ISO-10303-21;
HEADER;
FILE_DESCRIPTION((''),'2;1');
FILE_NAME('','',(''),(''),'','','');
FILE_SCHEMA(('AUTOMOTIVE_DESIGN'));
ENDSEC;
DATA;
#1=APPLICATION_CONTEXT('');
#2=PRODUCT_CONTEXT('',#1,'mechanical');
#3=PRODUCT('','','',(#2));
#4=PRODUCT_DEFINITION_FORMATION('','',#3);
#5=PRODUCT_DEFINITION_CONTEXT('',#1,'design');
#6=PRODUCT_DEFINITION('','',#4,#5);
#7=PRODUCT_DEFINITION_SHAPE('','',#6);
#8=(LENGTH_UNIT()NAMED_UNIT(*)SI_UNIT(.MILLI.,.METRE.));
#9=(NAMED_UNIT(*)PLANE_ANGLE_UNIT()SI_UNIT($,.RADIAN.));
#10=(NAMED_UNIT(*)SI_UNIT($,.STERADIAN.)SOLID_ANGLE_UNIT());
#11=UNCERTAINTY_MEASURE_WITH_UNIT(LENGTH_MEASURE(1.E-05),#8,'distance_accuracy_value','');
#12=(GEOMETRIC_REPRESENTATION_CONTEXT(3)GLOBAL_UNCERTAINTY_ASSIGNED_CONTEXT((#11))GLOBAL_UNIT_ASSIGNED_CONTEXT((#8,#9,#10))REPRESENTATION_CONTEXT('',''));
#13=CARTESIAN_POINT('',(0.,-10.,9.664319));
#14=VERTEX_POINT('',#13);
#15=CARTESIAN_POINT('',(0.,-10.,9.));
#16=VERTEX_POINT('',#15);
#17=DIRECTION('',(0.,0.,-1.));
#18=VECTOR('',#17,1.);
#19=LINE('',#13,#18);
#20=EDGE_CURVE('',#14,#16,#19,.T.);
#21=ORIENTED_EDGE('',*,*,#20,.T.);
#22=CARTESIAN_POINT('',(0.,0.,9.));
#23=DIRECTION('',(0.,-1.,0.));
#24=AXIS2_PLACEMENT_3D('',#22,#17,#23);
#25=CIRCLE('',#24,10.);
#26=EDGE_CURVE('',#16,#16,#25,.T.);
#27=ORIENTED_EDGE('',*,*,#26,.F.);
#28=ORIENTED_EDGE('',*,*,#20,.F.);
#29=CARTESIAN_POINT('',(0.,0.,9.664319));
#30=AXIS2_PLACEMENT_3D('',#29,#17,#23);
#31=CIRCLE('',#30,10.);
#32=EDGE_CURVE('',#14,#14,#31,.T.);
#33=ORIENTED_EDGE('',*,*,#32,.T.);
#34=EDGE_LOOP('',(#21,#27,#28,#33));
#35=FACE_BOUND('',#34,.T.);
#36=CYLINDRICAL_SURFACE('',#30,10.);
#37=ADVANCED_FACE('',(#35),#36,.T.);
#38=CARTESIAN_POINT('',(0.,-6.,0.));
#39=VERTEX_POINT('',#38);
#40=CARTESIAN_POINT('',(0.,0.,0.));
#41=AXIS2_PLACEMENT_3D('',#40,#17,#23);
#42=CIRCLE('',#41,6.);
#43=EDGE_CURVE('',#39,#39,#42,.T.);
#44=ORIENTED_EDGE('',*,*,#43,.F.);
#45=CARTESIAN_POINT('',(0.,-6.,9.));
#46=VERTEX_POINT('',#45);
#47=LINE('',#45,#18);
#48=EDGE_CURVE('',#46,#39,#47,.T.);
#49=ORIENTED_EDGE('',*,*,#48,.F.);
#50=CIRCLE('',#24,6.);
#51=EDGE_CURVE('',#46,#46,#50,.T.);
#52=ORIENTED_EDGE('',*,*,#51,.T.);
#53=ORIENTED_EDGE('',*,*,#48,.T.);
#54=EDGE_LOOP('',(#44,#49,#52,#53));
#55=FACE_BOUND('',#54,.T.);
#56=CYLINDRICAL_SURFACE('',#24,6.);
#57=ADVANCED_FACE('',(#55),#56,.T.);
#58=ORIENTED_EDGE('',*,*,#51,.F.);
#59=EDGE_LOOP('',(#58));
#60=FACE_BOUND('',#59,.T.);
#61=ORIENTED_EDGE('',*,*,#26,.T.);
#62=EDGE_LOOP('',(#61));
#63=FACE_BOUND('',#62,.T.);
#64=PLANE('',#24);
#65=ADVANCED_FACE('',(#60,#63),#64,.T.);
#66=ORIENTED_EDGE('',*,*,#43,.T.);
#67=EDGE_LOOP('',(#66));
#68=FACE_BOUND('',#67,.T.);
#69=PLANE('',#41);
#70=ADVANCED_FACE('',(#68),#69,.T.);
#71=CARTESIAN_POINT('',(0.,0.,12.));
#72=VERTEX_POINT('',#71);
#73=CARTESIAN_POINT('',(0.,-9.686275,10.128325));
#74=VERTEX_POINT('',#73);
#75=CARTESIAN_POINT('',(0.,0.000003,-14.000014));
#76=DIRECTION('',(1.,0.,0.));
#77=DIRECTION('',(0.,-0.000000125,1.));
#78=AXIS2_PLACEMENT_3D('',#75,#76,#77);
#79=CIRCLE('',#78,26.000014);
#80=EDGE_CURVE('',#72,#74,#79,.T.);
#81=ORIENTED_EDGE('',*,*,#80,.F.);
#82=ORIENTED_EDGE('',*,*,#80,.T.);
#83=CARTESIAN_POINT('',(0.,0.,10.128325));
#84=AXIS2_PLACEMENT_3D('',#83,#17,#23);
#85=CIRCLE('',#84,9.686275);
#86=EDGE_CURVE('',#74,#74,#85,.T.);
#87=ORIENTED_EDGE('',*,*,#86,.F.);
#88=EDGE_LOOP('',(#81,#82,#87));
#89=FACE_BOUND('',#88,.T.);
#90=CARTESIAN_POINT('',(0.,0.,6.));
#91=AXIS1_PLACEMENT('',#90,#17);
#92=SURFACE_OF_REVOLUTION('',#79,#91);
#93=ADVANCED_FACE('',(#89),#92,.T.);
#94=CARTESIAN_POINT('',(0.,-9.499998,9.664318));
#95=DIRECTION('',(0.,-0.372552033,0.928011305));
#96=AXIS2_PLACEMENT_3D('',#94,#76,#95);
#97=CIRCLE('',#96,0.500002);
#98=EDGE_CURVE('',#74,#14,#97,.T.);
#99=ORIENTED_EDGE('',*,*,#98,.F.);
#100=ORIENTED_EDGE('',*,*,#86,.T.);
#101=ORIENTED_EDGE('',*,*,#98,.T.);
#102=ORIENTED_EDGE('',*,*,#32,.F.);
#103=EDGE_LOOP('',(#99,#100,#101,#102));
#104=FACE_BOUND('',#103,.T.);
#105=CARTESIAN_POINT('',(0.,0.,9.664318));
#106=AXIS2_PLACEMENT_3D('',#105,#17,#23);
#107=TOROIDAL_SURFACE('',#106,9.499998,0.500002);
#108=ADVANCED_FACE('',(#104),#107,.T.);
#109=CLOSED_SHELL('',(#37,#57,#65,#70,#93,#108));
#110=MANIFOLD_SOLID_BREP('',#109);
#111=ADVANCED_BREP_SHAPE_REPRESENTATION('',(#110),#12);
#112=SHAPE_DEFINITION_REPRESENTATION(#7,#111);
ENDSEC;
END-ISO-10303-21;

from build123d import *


with BuildPart() as f1:
    # F0 (on Right) → F1 (revolve)
    with BuildSketch(Plane.YZ):
        with BuildLine():
            Line((-6, 0), (0, 0))
            Line((0, 0), (0, 12))
            ThreePointArc((0, 12), (-4.932724, 11.527793), (-9.686275, 10.128325))
            ThreePointArc((-9.686275, 10.128325), (-9.914208, 9.944375), (-10, 9.664319))
            Line((-10, 9.664319), (-10, 9))
            Line((-10, 9), (-6, 9))
            Line((-6, 9), (-6, 0))
        make_face()
    revolve(axis=Axis((0, 0, 6), (0, 0, -1)))


solid = f1.part
